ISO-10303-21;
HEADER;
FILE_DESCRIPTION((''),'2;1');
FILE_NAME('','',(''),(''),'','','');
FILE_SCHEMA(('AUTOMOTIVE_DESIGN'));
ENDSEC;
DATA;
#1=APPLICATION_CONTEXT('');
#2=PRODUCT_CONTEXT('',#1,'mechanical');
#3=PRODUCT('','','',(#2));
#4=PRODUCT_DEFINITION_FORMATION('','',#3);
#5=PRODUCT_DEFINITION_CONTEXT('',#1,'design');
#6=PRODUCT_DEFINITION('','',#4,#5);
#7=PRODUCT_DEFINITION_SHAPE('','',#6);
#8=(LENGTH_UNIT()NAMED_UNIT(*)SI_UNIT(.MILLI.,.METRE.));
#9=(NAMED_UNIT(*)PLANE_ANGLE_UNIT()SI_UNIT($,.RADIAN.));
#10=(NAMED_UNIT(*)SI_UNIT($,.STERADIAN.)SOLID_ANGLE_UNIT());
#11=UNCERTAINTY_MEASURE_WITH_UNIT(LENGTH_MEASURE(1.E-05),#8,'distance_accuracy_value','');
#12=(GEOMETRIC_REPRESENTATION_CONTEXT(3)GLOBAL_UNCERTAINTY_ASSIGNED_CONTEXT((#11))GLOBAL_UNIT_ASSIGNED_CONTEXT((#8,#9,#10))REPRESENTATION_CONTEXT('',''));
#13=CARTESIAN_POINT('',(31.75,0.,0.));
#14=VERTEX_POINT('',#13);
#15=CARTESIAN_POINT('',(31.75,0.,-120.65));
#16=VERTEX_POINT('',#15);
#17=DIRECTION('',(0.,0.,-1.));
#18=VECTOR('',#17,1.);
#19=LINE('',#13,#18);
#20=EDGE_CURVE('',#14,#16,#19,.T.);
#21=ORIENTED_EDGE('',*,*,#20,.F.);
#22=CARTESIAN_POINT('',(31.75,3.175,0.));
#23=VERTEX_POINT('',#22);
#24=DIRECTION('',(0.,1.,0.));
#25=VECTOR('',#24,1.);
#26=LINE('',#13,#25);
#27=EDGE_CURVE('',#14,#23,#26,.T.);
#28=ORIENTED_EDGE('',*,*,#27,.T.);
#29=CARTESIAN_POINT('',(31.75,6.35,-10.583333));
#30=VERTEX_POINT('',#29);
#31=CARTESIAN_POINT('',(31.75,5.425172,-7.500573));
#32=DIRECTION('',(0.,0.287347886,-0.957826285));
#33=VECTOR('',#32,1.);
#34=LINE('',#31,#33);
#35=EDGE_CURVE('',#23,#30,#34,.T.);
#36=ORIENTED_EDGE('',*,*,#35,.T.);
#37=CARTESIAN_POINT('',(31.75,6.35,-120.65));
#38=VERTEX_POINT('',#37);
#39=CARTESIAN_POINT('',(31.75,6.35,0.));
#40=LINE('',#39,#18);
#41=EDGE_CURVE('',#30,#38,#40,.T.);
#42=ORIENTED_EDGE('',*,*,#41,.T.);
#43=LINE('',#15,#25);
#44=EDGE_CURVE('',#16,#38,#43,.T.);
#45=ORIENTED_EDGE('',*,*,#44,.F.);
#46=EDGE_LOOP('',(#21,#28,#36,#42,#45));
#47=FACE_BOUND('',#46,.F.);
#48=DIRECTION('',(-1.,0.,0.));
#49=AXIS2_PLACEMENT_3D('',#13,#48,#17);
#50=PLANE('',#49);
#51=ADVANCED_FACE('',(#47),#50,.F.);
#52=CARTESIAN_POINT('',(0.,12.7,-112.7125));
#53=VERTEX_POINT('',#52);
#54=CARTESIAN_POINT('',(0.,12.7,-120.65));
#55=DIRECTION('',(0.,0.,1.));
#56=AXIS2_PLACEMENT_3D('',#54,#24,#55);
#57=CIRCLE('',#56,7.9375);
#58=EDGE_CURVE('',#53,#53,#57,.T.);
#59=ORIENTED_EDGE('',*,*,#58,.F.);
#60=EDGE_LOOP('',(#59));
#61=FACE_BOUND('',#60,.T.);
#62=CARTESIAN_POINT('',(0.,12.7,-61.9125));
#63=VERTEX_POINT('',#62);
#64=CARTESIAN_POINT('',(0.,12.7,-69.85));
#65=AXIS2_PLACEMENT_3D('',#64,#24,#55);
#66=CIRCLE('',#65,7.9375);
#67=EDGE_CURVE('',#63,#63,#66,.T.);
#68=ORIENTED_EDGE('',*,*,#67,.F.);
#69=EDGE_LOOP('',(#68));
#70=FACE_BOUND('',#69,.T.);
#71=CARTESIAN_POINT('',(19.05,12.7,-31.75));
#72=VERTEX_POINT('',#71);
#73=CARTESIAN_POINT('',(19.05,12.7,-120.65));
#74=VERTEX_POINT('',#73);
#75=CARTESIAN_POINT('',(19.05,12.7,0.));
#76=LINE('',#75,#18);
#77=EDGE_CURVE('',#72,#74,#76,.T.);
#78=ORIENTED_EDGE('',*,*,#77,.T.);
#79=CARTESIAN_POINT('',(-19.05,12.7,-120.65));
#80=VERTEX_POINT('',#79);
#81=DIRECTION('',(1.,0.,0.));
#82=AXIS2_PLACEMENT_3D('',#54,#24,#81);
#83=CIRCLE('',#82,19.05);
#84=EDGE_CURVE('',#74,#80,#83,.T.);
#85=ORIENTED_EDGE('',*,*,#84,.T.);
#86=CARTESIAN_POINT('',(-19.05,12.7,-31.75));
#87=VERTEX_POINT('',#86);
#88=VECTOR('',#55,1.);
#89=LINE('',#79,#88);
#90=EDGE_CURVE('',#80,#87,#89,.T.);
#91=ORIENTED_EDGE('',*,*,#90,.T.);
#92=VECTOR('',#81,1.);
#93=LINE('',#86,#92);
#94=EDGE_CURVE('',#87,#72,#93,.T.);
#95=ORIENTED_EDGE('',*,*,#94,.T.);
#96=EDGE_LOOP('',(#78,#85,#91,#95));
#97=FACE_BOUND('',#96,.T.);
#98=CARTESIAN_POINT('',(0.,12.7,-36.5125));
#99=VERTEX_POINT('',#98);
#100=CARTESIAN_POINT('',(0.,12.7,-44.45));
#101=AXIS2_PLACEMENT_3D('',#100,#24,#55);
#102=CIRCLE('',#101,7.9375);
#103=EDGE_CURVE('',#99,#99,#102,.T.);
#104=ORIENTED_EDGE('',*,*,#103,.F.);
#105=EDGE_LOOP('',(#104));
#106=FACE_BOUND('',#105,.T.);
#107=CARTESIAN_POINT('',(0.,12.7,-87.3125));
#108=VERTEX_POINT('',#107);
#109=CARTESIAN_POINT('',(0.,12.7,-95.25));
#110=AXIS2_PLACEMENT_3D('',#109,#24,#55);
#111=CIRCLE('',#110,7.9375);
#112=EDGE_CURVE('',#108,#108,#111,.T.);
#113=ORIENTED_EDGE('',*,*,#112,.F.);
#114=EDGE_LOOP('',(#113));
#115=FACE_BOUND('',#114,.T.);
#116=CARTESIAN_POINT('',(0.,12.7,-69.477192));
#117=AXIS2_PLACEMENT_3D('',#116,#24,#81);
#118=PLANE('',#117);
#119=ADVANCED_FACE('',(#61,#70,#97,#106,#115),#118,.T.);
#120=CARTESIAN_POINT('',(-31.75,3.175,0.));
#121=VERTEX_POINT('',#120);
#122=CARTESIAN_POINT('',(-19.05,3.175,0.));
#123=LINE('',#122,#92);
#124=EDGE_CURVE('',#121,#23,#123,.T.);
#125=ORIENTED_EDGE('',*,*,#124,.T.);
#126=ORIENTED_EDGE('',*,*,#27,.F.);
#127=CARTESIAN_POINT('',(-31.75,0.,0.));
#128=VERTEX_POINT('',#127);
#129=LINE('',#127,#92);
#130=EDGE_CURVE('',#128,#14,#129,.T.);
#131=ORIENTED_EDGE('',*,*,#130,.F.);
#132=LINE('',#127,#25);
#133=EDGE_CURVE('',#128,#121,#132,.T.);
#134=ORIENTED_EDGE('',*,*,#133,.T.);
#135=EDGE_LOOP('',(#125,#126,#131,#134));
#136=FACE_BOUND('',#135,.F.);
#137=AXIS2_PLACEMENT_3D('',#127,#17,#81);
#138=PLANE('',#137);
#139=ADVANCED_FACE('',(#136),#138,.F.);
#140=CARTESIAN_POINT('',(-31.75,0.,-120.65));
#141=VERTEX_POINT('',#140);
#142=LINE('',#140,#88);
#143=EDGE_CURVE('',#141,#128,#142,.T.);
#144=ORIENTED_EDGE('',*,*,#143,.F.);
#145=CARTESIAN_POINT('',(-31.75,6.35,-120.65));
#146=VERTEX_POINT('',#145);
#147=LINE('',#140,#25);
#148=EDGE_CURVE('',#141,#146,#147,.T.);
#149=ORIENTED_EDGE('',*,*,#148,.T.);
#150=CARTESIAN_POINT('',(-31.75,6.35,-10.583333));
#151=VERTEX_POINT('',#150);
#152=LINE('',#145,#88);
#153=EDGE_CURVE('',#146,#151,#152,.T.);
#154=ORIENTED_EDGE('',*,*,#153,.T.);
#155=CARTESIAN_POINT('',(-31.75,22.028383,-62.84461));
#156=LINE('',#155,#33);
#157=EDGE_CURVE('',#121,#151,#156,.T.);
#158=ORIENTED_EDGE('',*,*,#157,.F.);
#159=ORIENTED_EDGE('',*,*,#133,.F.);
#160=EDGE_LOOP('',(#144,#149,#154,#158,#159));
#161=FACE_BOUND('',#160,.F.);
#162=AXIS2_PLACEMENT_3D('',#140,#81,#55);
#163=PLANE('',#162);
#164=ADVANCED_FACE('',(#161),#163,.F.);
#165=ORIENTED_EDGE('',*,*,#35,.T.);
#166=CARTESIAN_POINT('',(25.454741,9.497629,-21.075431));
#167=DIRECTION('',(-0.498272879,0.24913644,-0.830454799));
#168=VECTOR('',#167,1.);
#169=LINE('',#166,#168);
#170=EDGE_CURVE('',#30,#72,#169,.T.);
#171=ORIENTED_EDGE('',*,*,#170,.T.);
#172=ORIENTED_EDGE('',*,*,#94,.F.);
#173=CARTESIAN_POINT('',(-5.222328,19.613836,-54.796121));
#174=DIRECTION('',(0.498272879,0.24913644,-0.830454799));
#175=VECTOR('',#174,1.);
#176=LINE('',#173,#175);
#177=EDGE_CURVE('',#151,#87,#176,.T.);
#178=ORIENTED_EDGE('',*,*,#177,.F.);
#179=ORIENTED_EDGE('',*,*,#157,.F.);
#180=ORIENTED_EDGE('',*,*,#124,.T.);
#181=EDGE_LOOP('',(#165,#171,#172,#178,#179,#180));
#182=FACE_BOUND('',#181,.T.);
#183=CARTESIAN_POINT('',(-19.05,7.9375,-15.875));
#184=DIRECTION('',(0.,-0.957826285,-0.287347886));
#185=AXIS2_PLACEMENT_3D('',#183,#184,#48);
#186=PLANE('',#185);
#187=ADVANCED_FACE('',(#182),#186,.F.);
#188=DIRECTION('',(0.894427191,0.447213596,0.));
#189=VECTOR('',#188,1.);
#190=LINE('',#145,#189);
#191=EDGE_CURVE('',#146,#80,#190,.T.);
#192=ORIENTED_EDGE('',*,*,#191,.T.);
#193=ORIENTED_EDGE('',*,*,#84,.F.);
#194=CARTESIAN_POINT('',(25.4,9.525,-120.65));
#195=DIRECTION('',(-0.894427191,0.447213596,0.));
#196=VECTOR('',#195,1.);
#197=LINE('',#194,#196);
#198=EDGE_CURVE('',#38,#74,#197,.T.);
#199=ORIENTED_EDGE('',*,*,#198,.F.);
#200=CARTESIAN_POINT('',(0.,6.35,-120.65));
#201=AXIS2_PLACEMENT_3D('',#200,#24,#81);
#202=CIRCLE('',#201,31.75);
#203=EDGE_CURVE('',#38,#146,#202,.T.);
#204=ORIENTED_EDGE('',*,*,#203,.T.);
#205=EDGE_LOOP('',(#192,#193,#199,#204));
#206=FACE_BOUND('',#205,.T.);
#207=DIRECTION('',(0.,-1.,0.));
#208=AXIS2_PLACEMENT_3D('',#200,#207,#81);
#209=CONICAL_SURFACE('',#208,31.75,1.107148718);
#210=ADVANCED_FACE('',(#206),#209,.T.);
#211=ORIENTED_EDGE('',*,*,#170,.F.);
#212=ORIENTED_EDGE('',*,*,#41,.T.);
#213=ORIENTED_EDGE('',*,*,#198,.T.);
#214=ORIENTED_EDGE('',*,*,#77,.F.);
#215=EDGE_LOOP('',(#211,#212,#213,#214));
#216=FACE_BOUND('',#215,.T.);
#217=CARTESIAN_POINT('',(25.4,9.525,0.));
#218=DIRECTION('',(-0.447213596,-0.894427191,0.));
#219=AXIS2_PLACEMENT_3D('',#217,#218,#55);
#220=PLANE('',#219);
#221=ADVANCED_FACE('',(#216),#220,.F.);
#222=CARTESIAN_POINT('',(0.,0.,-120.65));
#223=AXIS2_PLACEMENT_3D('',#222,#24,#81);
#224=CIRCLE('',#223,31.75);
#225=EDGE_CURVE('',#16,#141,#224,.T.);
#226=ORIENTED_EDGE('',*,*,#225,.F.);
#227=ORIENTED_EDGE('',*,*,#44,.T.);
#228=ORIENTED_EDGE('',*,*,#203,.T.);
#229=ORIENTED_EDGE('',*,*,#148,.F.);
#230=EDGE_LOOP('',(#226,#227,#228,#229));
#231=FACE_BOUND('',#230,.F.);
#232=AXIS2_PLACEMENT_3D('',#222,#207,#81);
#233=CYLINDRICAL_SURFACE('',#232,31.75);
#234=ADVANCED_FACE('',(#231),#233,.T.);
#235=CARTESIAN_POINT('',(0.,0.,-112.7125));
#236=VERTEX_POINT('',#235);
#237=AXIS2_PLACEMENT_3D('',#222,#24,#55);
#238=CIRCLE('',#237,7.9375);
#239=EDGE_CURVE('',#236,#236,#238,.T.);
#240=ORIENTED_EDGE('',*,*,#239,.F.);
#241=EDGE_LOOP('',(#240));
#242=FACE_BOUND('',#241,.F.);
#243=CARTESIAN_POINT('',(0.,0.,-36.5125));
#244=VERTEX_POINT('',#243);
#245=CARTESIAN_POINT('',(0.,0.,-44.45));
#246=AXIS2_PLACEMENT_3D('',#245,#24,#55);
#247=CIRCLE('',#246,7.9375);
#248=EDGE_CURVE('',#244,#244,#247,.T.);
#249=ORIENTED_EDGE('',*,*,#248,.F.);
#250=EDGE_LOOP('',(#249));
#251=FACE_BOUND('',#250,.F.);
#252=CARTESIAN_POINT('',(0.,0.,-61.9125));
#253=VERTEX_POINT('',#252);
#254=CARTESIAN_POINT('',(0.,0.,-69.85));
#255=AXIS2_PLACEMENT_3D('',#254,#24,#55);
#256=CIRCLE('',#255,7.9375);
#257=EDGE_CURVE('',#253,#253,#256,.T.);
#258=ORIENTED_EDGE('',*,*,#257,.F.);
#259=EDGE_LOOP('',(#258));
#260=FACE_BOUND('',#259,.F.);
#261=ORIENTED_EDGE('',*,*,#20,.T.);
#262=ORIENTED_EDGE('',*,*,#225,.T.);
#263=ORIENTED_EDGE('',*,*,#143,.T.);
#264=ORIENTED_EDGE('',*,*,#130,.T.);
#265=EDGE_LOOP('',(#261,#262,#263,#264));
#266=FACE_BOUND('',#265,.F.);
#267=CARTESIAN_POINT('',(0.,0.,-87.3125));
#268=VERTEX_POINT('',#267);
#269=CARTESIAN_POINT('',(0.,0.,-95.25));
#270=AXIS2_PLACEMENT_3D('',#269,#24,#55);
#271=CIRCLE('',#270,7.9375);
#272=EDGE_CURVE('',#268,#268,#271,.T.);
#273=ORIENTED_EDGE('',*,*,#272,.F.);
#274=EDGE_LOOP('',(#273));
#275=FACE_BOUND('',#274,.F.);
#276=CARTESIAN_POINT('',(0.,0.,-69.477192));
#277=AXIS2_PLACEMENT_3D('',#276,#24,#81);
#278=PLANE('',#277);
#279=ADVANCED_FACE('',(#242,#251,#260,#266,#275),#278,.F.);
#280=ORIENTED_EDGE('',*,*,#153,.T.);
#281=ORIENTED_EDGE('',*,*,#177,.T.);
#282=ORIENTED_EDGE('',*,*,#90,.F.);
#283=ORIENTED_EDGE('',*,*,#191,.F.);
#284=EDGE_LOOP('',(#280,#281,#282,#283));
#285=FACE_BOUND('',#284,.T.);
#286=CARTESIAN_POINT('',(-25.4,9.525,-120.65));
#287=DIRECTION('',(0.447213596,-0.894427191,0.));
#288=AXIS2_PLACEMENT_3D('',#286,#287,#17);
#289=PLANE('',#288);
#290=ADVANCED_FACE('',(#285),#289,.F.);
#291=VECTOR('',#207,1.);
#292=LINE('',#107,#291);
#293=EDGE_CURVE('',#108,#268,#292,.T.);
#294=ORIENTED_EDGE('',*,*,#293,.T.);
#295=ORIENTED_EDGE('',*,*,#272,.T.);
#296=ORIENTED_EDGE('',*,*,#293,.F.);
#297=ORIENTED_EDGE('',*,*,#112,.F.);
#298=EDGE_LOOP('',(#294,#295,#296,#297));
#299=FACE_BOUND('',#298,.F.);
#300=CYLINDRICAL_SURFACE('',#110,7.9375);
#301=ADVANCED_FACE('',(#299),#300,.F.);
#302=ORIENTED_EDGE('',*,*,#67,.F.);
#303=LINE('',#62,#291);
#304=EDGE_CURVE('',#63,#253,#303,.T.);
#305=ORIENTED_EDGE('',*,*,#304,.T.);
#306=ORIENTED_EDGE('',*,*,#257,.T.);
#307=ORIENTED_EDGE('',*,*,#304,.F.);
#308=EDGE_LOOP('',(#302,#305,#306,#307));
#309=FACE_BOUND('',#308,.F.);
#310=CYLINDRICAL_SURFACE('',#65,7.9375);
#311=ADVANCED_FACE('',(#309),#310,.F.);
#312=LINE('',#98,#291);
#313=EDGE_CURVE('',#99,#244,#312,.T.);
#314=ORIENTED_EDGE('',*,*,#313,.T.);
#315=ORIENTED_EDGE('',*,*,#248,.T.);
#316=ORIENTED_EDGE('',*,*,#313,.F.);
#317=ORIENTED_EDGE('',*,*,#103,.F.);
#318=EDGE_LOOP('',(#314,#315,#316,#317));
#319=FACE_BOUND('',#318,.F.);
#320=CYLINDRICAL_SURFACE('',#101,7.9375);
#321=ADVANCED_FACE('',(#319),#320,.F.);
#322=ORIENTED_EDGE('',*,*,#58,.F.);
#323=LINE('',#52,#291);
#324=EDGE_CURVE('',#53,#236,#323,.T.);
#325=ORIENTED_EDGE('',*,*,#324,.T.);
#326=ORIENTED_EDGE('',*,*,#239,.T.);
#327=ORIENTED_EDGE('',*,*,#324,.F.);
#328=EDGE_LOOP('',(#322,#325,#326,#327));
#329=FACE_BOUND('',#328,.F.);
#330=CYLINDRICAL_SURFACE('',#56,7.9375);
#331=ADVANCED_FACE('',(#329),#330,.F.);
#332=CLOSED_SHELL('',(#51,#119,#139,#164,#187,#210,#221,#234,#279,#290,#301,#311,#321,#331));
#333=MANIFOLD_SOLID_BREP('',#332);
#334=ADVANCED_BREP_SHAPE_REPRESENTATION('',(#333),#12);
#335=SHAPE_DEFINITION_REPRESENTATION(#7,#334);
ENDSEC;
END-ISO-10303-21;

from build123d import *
from OCP.BRepFilletAPI import BRepFilletAPI_MakeChamfer

# Parameters (mm, degrees)
BOSS_EXTRUDE1_DEPTH = 12.7
CHAMFER4_SIZE       = 6.35
CHAMFER4_SIZE2      = 12.7
CHAMFER5_SIZE       = 9.525
CHAMFER5_SIZE2      = 31.75
SKETCH5_R           = 7.9375
CUT_EXTRUDE1_DEPTH  = 157.189348228


with BuildPart() as part:
    # Sketch2 → Boss-Extrude1 (new body)
    with BuildSketch(Plane(origin=(0, 0, 0), x_dir=(1, 0, 0), z_dir=(0, 1, 0))):
        with BuildLine():
            Line((-31.75, 0), (31.75, 0))
            Line((31.75, 0), (31.75, 120.65))
            ThreePointArc((31.75, 120.65), (0, 152.4), (-31.75, 120.65))
            Line((-31.75, 120.65), (-31.75, 0))
        make_face()
    extrude(amount=BOSS_EXTRUDE1_DEPTH)

    # Chamfer4: one chamfer whose edges measure the first distance from different faces: ONE call of the kernel's chamfer builder (chamfer() names one face for all edges)
    chamfer4_edges_1 = [part.edges().sort_by_distance(p)[0] for p in [
        (31.75, 12.7, -60.325),
    ]]
    chamfer4_side_1 = [part.faces().sort_by_distance(p)[0] for p in [
        (31.75, 6.35, -60.325),
    ]]
    chamfer4_edges_2 = [part.edges().sort_by_distance(p)[0] for p in [
        (0, 12.7, -152.4),
    ]]
    chamfer4_side_2 = [part.faces().sort_by_distance(p)[0] for p in [
        (0, 6.35, -152.4),
    ]]
    chamfer4_edges_3 = [part.edges().sort_by_distance(p)[0] for p in [
        (-31.75, 12.7, -60.325),
    ]]
    chamfer4_side_3 = [part.faces().sort_by_distance(p)[0] for p in [
        (-31.75, 6.35, -60.325),
    ]]
    chamfer4 = BRepFilletAPI_MakeChamfer(part.part.solid().wrapped)
    for e in chamfer4_edges_1:
        chamfer4.Add(CHAMFER4_SIZE, CHAMFER4_SIZE2, e.wrapped, chamfer4_side_1[0].wrapped)  # the first distance lies on this face
    for e in chamfer4_edges_2:
        chamfer4.Add(CHAMFER4_SIZE, CHAMFER4_SIZE2, e.wrapped, chamfer4_side_2[0].wrapped)  # the first distance lies on this face
    for e in chamfer4_edges_3:
        chamfer4.Add(CHAMFER4_SIZE, CHAMFER4_SIZE2, e.wrapped, chamfer4_side_3[0].wrapped)  # the first distance lies on this face
    add(Compound.cast(chamfer4.Shape()), mode=Mode.REPLACE)

    # Chamfer5
    chamfer5_edges = [part.edges().sort_by_distance(p)[0] for p in [
        (0, 12.7, 0),
    ]]
    chamfer5_side = [part.faces().sort_by_distance(p)[0] for p in [
        (0, 5.87962963, 0),
    ]]
    chamfer(chamfer5_edges, length=CHAMFER5_SIZE, length2=CHAMFER5_SIZE2, reference=chamfer5_side[0])

    # Sketch5 → Cut-Extrude1 (cut, through all)
    with BuildSketch(Plane(origin=(0, 12.7, 0), x_dir=(1, 0, 0), z_dir=(0, 1, 0))):
        with Locations(Location((0, 120.65, 0), (0, 0, 270))):
            Circle(SKETCH5_R)
        with Locations(Location((0, 95.25, 0), (0, 0, 270))):
            Circle(SKETCH5_R)
        with Locations(Location((0, 69.85, 0), (0, 0, 270))):
            Circle(SKETCH5_R)
        with Locations(Location((0, 44.45, 0), (0, 0, 270))):
            Circle(SKETCH5_R)
    extrude(amount=-CUT_EXTRUDE1_DEPTH, mode=Mode.SUBTRACT)


solid = part.part
